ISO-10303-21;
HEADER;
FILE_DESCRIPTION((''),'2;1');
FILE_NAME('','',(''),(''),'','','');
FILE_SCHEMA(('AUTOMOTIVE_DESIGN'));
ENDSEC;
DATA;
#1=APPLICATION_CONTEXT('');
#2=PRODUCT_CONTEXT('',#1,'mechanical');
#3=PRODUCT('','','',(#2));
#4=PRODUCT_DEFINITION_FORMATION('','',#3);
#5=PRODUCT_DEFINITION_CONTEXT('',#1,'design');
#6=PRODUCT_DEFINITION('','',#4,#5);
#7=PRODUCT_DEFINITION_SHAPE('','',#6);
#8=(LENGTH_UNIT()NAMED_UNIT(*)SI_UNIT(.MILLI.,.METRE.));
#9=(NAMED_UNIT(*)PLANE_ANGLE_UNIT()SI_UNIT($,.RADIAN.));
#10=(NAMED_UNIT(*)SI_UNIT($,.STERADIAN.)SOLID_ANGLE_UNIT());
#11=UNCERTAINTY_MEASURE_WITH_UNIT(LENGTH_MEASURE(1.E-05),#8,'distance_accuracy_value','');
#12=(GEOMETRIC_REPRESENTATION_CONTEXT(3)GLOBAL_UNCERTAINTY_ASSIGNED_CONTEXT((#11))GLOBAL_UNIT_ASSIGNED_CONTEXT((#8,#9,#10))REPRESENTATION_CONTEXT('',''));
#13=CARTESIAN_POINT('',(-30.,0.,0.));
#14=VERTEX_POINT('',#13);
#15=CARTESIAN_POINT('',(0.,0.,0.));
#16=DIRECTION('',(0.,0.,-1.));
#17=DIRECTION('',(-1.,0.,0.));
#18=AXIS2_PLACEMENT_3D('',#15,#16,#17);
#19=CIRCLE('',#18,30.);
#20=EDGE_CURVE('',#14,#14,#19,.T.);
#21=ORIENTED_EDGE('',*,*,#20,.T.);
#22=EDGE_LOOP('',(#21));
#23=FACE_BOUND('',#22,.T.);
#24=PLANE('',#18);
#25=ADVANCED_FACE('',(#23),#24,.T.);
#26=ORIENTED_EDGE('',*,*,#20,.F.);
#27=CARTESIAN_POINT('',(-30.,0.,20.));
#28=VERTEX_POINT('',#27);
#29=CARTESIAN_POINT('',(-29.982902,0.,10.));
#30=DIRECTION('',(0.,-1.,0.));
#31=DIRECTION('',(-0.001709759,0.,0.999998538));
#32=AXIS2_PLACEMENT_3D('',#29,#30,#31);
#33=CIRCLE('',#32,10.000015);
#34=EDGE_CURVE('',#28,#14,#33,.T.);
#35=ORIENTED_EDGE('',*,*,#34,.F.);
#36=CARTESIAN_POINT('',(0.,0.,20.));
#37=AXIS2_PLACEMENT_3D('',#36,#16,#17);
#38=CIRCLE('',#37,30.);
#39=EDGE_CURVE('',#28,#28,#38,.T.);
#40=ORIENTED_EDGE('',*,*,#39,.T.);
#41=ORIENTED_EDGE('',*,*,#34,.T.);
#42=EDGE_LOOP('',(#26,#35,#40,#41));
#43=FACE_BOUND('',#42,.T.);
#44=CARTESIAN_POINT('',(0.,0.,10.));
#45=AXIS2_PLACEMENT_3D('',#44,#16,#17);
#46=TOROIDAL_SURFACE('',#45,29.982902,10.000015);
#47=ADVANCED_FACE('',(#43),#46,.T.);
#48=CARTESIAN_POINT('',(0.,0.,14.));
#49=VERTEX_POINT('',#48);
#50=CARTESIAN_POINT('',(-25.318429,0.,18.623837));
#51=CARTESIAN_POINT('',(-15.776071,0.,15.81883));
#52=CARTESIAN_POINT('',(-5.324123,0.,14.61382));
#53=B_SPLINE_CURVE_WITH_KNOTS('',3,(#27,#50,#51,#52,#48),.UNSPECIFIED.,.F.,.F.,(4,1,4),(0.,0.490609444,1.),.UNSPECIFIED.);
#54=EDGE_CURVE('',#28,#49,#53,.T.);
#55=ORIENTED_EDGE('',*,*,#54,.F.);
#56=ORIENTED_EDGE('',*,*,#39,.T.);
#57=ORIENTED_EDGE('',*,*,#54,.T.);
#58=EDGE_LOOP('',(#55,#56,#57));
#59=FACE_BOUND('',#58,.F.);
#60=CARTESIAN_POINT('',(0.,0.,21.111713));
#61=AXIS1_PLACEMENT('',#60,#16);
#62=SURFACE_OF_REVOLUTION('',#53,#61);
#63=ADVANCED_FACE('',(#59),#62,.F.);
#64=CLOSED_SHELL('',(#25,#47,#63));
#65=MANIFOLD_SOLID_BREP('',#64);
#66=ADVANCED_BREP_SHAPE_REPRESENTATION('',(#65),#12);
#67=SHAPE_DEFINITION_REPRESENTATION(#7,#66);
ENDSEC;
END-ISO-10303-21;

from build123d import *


with BuildPart() as f1:
    # F0 (on Front) → F1 (revolve)
    with BuildSketch(Plane.XZ):
        with BuildLine():
            Line((-30, 0), (0, 0))
            Line((0, 0), (0, 14))
            add(Edge.make_bspline(
                [(-30, 20), (-25.3184289045, 18.6238370195), (-15.7760706091, 15.8188299044), (-5.3241232692, 14.6138204409), (0, 14)],
                knots=[0, 0, 0, 0, 0.4906094438, 1, 1, 1, 1], degree=3))
            ThreePointArc((-30, 20), (-39.9829170044, 10), (-30, 0))
        make_face()
    revolve(axis=Axis((0, 0, 21.111712791), (0, 0, -1)))


solid = f1.part
